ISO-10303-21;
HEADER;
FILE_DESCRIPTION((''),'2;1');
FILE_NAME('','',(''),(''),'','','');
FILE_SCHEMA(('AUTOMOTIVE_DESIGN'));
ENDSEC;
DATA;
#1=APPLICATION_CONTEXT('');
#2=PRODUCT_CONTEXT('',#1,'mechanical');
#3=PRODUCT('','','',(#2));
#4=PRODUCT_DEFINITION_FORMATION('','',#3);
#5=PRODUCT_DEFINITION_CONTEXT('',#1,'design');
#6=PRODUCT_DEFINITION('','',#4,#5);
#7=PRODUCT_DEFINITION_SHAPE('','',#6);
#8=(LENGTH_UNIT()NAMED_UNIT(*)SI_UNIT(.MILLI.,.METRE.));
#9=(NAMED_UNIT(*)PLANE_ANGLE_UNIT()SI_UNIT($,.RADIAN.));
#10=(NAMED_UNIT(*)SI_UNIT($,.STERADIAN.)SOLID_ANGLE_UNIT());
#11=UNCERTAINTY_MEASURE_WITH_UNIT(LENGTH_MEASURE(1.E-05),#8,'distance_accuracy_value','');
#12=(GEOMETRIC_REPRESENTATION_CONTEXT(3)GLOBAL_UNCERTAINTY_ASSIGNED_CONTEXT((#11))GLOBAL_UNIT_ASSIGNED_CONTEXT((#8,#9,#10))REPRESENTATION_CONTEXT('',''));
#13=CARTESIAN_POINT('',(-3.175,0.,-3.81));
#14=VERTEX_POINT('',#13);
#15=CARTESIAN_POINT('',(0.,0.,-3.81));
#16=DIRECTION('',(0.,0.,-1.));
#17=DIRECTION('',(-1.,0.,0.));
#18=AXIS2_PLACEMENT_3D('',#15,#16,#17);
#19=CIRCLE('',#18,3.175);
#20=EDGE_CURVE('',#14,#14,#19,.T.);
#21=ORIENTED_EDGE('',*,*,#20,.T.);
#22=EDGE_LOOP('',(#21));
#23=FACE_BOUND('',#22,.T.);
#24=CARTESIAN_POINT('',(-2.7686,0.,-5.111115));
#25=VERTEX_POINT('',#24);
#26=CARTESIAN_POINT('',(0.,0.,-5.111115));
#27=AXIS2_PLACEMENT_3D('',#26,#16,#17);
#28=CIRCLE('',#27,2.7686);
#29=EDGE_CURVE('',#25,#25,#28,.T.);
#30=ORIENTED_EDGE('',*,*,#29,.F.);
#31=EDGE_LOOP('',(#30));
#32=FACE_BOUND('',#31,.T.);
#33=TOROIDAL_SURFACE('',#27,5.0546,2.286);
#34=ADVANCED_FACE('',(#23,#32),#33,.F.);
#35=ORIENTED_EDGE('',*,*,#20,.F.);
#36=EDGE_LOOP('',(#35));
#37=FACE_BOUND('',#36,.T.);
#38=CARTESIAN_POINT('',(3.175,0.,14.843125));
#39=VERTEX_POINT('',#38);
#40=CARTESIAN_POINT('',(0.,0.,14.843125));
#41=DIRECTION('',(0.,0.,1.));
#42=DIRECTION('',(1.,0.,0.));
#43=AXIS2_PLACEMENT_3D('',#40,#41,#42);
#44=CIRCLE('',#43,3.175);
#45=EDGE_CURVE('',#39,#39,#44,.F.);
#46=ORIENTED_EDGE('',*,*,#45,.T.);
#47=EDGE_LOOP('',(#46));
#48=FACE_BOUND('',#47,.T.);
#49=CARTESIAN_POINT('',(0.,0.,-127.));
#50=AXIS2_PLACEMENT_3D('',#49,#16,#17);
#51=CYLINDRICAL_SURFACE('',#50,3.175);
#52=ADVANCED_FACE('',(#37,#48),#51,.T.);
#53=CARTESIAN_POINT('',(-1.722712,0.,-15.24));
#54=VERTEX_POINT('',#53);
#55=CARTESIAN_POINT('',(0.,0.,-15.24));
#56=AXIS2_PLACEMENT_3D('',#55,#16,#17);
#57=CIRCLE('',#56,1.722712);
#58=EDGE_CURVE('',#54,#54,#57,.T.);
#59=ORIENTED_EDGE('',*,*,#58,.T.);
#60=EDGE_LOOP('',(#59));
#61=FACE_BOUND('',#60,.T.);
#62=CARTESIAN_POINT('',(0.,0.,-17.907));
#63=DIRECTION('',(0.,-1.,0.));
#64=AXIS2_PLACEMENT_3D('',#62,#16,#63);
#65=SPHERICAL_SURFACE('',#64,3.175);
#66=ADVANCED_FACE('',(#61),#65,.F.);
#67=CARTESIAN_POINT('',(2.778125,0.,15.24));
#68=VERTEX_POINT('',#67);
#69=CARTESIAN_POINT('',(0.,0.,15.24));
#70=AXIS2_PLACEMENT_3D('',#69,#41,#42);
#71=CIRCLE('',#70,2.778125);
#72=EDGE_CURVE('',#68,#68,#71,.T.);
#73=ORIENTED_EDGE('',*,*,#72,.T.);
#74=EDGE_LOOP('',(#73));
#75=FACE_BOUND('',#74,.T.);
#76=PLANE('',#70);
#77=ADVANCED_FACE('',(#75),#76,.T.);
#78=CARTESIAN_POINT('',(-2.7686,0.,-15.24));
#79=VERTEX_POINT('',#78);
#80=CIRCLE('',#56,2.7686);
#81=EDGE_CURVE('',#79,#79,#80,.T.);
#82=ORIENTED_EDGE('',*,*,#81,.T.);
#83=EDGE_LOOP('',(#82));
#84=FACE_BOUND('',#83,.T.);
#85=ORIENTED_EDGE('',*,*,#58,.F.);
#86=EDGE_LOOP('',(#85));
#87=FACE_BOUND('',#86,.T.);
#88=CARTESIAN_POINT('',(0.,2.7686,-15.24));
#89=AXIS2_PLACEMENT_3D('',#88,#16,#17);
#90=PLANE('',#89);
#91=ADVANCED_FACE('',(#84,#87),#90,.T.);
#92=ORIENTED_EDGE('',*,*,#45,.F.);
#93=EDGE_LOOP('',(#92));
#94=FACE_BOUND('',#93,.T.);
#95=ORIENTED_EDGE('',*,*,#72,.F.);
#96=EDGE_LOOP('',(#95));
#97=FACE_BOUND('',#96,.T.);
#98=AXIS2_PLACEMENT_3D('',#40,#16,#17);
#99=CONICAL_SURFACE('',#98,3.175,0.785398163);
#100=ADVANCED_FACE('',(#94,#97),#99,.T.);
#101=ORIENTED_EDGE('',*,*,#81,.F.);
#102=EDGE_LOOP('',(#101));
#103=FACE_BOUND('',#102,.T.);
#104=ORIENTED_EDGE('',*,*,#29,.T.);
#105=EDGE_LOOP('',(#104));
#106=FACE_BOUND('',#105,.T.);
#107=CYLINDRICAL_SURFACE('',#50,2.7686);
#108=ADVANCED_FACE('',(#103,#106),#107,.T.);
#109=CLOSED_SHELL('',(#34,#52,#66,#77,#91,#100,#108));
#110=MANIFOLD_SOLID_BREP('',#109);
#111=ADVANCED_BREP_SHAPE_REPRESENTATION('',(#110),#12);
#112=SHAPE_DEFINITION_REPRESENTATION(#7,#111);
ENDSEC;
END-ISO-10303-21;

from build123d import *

# Parameters (mm, degrees)
CHAFL_N1_SIZE = 0.396875


with BuildPart() as part:
    # Croquis1 → Revolución1 (revolve)
    with BuildSketch(Plane(origin=(0, 0, 0), x_dir=(0, 0, -1), z_dir=(1, 0, 0)), mode=Mode.PRIVATE) as revoluci_n1_sk:
        with BuildLine():
            Line((-15.24, 0), (-15.24, 3.175))
            Line((-15.24, 3.175), (3.81, 3.175))
            ThreePointArc((3.81, 3.175), (4.429561326, 2.87256407), (5.111114845, 2.7686))
            Line((5.111114845, 2.7686), (15.24, 2.7686))
            Line((15.24, 2.7686), (15.24, 0))
            Line((15.24, 0), (-15.24, 0))
        make_face()
    revolve(revoluci_n1_sk.sketch.rotate(Axis((0, 0, -127), (0, 0, 1)), 90), axis=Axis((0, 0, -127), (0, 0, 1)))

    # Croquis4 → Cortar-Revolución1 (revolve, cut)
    with BuildSketch(Plane(origin=(0, 0, 0), x_dir=(0, 0, -1), z_dir=(1, 0, 0)), mode=Mode.PRIVATE) as cortar_revoluci_n1_sk:
        with BuildLine():
            ThreePointArc((15.24, 1.722711816), (14.861646983, 0.898025612), (14.732, 0))
            Line((14.732, 0), (15.24, 0))
            Line((15.24, 0), (15.24, 1.722711816))
        make_face()
        with BuildLine():
            ThreePointArc((14.732, 0), (14.861646983, 0.898025612), (15.24, 1.722711816))
            Line((15.24, 1.722711816), (15.24, 0))
            Line((15.24, 0), (14.732, 0))
        make_face()
    revolve(cortar_revoluci_n1_sk.sketch.rotate(Axis((0, 0, -15.24), (0, 0, 1)), 180), axis=Axis((0, 0, -15.24), (0, 0, 1)), mode=Mode.SUBTRACT)

    # Chaflán1
    chafl_n1_edges = [part.edges().sort_by_distance(p)[0] for p in [
        (3.175, 0, 15.24),
    ]]
    chamfer(chafl_n1_edges, length=CHAFL_N1_SIZE)


solid = part.part
